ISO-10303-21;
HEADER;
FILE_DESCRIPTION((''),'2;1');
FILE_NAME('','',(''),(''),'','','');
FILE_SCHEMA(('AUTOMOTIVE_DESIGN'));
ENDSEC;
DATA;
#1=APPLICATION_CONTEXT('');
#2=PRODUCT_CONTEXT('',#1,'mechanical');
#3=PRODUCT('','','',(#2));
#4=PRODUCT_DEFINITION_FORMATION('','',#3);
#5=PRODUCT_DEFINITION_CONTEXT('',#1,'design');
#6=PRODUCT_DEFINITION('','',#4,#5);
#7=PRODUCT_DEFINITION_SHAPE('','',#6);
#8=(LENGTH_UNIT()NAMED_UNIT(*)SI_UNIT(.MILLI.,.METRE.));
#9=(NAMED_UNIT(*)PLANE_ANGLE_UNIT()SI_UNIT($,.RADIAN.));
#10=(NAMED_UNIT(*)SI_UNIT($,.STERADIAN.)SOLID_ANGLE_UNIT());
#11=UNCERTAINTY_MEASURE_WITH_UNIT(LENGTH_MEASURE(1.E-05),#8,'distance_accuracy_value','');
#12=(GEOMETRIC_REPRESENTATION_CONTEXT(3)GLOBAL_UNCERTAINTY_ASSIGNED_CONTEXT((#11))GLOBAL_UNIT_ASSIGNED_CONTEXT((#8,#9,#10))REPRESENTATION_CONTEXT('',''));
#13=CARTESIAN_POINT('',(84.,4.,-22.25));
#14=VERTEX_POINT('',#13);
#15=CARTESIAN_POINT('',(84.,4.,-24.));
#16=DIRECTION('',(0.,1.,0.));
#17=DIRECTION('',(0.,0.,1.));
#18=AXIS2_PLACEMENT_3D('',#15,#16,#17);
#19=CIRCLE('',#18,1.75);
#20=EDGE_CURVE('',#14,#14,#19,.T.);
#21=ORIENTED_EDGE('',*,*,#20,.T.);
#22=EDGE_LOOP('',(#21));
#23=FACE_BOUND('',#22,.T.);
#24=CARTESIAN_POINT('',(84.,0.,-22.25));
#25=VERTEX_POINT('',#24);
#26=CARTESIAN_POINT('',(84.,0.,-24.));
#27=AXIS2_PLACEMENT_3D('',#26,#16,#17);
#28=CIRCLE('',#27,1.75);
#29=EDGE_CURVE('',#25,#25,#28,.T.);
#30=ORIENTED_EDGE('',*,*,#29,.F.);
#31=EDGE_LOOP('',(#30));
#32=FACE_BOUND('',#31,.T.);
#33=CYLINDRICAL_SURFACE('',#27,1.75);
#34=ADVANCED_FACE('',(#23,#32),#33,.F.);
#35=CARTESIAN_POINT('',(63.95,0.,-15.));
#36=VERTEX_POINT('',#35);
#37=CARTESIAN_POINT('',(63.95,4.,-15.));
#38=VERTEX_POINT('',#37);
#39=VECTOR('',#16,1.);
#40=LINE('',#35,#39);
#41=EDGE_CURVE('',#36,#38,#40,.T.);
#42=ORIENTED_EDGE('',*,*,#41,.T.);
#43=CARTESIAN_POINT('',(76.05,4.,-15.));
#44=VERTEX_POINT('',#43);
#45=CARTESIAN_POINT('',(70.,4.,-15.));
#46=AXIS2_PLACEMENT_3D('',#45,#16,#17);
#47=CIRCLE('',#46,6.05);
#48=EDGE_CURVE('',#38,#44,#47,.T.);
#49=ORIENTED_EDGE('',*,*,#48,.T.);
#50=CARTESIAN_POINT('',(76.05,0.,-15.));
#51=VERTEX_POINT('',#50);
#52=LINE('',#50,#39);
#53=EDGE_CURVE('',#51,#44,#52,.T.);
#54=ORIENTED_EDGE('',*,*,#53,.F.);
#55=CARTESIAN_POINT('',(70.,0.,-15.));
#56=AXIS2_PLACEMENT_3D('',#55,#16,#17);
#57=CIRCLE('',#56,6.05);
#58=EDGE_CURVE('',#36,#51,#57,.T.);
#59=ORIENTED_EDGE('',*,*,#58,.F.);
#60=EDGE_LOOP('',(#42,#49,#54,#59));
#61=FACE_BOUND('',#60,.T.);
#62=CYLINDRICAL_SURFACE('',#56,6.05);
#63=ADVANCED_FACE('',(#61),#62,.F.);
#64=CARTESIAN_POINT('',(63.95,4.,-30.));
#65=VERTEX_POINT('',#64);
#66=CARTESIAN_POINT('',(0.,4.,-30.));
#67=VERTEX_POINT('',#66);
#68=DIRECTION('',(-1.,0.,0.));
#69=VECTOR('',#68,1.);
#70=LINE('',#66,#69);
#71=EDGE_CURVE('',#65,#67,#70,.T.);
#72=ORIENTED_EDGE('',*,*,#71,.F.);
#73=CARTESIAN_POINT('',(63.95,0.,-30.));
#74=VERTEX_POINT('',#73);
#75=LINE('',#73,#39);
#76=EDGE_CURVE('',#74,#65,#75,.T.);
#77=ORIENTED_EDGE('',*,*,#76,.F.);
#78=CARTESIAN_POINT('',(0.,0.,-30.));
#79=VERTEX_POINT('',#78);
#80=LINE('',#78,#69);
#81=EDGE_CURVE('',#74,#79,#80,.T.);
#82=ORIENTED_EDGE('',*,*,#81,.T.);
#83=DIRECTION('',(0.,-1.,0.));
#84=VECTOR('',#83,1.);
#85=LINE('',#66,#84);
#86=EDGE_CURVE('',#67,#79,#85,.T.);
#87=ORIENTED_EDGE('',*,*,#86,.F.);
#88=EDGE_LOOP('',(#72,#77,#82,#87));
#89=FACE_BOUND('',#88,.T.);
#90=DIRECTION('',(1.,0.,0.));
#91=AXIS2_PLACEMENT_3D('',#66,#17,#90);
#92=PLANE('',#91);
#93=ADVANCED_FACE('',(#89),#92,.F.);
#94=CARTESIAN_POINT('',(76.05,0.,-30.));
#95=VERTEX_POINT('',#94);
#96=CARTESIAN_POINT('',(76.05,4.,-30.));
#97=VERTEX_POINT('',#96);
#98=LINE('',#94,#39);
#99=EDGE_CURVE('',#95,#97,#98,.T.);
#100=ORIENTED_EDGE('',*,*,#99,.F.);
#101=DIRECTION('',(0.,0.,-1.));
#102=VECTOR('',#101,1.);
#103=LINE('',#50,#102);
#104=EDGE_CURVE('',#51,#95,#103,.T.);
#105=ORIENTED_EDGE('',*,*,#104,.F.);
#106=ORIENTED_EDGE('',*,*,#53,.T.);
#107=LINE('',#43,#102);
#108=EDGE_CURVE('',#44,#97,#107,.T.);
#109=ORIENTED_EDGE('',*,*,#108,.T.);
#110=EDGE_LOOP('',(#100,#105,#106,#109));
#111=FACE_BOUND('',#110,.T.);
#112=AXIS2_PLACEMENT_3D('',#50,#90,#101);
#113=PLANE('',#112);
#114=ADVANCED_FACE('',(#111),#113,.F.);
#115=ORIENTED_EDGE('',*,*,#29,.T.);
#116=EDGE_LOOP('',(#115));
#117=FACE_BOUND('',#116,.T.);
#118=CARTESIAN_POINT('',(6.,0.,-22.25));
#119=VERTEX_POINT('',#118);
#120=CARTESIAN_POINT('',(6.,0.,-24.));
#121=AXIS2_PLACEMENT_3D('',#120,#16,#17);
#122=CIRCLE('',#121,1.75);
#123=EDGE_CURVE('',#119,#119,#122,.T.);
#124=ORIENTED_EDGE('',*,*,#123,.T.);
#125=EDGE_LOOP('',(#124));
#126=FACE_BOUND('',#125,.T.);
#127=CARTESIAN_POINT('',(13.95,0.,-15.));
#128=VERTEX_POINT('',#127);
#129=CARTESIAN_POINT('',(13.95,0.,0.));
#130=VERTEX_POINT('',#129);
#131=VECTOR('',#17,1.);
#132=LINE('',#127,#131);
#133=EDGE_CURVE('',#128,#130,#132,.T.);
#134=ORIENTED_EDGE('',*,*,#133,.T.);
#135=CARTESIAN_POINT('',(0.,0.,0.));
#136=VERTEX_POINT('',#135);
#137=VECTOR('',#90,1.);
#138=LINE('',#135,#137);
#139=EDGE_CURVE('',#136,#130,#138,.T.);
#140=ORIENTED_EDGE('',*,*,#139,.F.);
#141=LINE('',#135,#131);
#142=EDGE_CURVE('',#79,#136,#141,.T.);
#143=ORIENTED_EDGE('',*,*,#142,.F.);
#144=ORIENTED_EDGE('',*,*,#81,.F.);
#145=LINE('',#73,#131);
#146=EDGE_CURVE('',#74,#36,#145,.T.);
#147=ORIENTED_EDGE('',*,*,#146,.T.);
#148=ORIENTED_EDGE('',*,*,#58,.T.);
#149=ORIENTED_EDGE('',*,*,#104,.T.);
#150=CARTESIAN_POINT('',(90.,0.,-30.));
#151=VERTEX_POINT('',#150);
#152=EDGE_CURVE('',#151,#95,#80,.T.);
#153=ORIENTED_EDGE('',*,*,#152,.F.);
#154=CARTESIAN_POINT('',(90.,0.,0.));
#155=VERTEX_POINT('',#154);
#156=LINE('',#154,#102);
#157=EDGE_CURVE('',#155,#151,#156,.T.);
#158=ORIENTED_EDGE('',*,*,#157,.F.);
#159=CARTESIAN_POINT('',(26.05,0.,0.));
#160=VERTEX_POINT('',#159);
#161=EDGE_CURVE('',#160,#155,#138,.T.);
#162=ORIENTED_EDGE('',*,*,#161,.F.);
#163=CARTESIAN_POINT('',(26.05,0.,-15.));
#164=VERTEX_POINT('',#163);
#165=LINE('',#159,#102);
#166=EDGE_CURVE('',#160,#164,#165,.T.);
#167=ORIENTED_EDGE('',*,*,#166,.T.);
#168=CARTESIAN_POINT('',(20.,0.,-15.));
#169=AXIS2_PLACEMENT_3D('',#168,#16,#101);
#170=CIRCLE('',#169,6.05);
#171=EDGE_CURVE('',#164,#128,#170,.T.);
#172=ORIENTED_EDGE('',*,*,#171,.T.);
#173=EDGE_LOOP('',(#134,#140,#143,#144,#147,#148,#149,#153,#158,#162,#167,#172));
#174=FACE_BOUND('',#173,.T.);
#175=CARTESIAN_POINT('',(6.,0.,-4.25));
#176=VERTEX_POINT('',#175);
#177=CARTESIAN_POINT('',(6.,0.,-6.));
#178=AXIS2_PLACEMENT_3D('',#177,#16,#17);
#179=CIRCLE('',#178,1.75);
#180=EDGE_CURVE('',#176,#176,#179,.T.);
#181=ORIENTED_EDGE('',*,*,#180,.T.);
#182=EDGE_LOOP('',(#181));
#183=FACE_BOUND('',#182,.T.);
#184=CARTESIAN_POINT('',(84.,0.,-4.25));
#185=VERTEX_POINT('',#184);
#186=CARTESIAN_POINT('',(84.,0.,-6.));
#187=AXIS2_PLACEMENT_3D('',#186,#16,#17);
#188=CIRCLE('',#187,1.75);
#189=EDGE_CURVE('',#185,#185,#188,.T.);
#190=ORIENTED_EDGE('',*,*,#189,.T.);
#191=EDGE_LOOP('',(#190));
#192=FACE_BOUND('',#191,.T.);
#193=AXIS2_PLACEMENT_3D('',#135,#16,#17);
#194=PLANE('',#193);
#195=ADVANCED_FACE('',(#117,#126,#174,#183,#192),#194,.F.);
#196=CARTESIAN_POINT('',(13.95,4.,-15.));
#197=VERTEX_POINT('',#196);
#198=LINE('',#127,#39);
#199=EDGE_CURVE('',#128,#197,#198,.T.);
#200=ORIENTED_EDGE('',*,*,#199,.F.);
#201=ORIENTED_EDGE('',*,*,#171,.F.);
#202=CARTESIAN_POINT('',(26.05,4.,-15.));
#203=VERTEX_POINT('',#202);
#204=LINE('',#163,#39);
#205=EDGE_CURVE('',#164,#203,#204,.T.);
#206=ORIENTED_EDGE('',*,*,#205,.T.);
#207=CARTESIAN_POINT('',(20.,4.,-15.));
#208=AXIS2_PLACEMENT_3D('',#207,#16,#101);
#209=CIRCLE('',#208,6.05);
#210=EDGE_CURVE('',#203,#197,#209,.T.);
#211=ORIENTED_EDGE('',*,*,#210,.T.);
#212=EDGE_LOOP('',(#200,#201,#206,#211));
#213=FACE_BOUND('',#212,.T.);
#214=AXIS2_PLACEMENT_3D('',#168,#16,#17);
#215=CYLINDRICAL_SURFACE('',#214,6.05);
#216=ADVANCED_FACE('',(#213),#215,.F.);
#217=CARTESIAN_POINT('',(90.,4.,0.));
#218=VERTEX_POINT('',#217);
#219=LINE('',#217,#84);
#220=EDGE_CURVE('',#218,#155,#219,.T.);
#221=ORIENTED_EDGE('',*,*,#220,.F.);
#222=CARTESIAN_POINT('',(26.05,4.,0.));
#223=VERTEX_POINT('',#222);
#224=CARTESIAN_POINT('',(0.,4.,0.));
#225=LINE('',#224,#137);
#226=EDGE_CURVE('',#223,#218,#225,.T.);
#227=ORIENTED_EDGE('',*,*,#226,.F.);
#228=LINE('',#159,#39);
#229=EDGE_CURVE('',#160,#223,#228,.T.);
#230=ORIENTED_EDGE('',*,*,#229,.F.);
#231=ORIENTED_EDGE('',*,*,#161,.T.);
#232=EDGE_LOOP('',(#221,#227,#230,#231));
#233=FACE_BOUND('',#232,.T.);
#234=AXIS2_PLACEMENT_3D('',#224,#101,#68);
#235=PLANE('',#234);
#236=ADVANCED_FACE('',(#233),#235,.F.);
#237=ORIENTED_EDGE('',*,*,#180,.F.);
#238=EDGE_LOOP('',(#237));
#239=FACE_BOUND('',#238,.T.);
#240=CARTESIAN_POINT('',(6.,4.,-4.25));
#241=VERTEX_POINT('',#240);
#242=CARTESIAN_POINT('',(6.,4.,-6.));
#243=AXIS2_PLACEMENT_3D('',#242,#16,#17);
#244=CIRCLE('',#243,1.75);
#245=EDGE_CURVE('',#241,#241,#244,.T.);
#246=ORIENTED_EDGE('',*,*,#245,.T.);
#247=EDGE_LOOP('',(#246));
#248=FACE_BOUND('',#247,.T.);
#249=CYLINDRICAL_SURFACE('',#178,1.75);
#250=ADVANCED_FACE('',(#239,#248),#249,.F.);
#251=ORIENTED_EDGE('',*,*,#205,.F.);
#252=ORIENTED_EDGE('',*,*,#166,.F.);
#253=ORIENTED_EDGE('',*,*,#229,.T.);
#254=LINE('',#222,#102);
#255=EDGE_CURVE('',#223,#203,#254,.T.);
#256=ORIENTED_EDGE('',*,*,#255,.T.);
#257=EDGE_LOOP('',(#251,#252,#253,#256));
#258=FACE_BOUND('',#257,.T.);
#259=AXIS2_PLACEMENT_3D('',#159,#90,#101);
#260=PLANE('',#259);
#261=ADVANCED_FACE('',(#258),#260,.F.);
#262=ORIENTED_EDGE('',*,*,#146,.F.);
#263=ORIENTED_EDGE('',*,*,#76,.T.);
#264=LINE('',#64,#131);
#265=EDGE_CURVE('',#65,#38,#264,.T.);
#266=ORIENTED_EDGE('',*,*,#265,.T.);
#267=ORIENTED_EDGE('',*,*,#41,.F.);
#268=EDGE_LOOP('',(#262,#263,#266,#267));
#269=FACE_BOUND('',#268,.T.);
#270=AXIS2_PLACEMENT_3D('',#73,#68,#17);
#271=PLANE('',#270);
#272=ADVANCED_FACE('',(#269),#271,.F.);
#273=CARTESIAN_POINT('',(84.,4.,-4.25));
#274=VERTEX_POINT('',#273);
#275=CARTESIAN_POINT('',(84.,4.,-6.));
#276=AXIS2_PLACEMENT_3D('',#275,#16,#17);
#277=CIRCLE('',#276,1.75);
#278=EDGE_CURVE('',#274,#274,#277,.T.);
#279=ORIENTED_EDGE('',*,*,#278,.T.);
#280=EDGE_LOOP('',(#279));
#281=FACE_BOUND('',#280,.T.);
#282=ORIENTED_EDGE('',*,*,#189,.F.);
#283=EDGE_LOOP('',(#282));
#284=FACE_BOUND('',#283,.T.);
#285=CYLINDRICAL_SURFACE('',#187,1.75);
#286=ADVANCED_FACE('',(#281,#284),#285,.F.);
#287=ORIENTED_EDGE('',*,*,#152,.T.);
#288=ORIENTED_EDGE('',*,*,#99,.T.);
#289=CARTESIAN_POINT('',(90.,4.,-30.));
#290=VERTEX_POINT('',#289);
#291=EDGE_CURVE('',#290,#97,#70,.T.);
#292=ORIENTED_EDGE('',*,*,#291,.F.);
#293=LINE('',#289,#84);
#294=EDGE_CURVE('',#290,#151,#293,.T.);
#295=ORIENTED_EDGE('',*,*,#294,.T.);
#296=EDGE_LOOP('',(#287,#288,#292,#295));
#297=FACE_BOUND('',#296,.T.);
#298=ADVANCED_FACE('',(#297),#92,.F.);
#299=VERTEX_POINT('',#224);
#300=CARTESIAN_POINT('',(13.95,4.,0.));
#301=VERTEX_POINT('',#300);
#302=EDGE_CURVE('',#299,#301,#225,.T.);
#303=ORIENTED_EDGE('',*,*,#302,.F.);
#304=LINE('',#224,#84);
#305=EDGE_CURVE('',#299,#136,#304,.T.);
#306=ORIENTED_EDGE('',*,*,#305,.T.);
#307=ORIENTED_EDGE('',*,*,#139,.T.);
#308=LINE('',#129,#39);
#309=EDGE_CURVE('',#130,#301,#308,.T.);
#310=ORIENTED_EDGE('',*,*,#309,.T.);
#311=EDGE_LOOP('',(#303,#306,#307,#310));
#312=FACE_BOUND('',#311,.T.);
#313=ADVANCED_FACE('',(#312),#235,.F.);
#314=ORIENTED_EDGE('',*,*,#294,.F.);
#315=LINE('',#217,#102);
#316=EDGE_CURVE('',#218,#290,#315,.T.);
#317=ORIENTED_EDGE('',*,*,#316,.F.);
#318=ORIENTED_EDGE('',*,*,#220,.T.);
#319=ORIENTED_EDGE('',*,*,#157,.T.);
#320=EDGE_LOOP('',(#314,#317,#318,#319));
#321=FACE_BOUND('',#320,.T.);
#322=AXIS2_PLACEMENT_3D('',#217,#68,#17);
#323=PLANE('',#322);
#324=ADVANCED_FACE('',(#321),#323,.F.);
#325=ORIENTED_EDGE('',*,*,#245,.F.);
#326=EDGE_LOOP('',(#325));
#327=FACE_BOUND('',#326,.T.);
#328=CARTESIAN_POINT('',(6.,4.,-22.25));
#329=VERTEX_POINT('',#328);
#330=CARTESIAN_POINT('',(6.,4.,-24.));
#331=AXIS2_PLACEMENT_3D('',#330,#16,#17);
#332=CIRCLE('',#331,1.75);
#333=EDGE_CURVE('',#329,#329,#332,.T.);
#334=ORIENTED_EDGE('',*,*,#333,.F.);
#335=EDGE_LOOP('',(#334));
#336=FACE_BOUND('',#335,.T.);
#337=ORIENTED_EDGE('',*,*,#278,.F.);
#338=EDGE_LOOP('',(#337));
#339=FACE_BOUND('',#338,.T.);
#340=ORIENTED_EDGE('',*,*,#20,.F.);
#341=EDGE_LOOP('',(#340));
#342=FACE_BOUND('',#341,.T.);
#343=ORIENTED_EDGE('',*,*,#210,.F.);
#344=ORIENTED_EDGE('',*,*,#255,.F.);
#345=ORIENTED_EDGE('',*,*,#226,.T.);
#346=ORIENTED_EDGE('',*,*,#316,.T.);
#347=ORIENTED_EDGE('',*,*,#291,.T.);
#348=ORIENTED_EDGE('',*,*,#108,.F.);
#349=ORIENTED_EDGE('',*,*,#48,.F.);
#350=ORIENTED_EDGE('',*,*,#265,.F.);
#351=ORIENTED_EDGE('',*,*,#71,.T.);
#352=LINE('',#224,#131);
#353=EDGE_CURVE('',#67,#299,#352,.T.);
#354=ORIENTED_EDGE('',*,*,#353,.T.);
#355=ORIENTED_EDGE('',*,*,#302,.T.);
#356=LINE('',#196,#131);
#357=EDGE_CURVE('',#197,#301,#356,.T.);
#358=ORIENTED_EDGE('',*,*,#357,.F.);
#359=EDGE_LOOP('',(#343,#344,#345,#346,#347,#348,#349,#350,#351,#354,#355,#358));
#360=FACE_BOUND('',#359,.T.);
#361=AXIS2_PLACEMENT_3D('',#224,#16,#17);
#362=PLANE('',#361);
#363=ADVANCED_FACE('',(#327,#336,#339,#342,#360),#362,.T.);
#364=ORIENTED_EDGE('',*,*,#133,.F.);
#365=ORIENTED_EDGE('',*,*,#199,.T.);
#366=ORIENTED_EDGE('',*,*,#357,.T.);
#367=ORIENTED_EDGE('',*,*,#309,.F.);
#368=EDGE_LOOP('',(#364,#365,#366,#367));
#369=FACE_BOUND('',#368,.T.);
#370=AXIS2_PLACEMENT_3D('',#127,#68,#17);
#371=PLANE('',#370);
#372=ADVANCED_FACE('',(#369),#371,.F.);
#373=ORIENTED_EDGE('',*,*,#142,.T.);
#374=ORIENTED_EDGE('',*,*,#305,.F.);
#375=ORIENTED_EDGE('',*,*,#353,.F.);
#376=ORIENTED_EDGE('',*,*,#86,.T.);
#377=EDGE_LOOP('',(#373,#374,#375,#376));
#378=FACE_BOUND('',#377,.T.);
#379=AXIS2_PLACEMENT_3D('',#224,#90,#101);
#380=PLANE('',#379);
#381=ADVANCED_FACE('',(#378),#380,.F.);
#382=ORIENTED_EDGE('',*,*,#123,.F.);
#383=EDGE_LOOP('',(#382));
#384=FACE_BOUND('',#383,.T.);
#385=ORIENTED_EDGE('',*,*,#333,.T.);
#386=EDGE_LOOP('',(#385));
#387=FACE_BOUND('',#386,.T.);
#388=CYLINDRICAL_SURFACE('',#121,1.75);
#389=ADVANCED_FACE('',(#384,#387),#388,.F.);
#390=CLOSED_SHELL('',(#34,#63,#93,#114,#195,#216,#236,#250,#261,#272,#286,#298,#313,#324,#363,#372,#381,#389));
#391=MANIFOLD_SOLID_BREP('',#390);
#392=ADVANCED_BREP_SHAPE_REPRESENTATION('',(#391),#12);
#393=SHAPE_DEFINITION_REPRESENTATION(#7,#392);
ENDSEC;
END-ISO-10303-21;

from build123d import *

# Parameters (mm, degrees)
SKETCH2_W           = 90
SKETCH2_H           = 30
BOSS_EXTRUDE1_DEPTH = 4
SKETCH3_R           = 1.75
CUT_EXTRUDE1_DEPTH  = 5


with BuildPart() as part:
    # Sketch2 → Boss-Extrude1 (new body)
    with BuildSketch(Plane(origin=(0, 0, 0), x_dir=(1, 0, 0), z_dir=(0, 1, 0))):
        with Locations((45, 15)):
            Rectangle(SKETCH2_W, SKETCH2_H)
    extrude(amount=BOSS_EXTRUDE1_DEPTH)

    # Sketch3 → Cut-Extrude1 (cut, through all)
    with BuildSketch(Plane(origin=(0, 4, 0), x_dir=(1, 0, 0), z_dir=(0, 1, 0))):
        with Locations((6, 6)):
            Circle(SKETCH3_R)
        with Locations((6, 24)):
            Circle(SKETCH3_R)
        with Locations((84, 24)):
            Circle(SKETCH3_R)
        with Locations((84, 6)):
            Circle(SKETCH3_R)
        with BuildLine():
            Line((13.95, 0), (26.05, 0))
            Line((26.05, 0), (26.05, 15))
            ThreePointArc((26.05, 15), (20, 21.05), (13.95, 15))
            Line((13.95, 15), (13.95, 0))
        make_face()
        with BuildLine():
            Line((63.95, 30), (63.95, 15))
            ThreePointArc((63.95, 15), (70, 8.95), (76.05, 15))
            Line((76.05, 15), (76.05, 30))
            Line((76.05, 30), (63.95, 30))
        make_face()
    extrude(amount=-CUT_EXTRUDE1_DEPTH, mode=Mode.SUBTRACT)


solid = part.part
